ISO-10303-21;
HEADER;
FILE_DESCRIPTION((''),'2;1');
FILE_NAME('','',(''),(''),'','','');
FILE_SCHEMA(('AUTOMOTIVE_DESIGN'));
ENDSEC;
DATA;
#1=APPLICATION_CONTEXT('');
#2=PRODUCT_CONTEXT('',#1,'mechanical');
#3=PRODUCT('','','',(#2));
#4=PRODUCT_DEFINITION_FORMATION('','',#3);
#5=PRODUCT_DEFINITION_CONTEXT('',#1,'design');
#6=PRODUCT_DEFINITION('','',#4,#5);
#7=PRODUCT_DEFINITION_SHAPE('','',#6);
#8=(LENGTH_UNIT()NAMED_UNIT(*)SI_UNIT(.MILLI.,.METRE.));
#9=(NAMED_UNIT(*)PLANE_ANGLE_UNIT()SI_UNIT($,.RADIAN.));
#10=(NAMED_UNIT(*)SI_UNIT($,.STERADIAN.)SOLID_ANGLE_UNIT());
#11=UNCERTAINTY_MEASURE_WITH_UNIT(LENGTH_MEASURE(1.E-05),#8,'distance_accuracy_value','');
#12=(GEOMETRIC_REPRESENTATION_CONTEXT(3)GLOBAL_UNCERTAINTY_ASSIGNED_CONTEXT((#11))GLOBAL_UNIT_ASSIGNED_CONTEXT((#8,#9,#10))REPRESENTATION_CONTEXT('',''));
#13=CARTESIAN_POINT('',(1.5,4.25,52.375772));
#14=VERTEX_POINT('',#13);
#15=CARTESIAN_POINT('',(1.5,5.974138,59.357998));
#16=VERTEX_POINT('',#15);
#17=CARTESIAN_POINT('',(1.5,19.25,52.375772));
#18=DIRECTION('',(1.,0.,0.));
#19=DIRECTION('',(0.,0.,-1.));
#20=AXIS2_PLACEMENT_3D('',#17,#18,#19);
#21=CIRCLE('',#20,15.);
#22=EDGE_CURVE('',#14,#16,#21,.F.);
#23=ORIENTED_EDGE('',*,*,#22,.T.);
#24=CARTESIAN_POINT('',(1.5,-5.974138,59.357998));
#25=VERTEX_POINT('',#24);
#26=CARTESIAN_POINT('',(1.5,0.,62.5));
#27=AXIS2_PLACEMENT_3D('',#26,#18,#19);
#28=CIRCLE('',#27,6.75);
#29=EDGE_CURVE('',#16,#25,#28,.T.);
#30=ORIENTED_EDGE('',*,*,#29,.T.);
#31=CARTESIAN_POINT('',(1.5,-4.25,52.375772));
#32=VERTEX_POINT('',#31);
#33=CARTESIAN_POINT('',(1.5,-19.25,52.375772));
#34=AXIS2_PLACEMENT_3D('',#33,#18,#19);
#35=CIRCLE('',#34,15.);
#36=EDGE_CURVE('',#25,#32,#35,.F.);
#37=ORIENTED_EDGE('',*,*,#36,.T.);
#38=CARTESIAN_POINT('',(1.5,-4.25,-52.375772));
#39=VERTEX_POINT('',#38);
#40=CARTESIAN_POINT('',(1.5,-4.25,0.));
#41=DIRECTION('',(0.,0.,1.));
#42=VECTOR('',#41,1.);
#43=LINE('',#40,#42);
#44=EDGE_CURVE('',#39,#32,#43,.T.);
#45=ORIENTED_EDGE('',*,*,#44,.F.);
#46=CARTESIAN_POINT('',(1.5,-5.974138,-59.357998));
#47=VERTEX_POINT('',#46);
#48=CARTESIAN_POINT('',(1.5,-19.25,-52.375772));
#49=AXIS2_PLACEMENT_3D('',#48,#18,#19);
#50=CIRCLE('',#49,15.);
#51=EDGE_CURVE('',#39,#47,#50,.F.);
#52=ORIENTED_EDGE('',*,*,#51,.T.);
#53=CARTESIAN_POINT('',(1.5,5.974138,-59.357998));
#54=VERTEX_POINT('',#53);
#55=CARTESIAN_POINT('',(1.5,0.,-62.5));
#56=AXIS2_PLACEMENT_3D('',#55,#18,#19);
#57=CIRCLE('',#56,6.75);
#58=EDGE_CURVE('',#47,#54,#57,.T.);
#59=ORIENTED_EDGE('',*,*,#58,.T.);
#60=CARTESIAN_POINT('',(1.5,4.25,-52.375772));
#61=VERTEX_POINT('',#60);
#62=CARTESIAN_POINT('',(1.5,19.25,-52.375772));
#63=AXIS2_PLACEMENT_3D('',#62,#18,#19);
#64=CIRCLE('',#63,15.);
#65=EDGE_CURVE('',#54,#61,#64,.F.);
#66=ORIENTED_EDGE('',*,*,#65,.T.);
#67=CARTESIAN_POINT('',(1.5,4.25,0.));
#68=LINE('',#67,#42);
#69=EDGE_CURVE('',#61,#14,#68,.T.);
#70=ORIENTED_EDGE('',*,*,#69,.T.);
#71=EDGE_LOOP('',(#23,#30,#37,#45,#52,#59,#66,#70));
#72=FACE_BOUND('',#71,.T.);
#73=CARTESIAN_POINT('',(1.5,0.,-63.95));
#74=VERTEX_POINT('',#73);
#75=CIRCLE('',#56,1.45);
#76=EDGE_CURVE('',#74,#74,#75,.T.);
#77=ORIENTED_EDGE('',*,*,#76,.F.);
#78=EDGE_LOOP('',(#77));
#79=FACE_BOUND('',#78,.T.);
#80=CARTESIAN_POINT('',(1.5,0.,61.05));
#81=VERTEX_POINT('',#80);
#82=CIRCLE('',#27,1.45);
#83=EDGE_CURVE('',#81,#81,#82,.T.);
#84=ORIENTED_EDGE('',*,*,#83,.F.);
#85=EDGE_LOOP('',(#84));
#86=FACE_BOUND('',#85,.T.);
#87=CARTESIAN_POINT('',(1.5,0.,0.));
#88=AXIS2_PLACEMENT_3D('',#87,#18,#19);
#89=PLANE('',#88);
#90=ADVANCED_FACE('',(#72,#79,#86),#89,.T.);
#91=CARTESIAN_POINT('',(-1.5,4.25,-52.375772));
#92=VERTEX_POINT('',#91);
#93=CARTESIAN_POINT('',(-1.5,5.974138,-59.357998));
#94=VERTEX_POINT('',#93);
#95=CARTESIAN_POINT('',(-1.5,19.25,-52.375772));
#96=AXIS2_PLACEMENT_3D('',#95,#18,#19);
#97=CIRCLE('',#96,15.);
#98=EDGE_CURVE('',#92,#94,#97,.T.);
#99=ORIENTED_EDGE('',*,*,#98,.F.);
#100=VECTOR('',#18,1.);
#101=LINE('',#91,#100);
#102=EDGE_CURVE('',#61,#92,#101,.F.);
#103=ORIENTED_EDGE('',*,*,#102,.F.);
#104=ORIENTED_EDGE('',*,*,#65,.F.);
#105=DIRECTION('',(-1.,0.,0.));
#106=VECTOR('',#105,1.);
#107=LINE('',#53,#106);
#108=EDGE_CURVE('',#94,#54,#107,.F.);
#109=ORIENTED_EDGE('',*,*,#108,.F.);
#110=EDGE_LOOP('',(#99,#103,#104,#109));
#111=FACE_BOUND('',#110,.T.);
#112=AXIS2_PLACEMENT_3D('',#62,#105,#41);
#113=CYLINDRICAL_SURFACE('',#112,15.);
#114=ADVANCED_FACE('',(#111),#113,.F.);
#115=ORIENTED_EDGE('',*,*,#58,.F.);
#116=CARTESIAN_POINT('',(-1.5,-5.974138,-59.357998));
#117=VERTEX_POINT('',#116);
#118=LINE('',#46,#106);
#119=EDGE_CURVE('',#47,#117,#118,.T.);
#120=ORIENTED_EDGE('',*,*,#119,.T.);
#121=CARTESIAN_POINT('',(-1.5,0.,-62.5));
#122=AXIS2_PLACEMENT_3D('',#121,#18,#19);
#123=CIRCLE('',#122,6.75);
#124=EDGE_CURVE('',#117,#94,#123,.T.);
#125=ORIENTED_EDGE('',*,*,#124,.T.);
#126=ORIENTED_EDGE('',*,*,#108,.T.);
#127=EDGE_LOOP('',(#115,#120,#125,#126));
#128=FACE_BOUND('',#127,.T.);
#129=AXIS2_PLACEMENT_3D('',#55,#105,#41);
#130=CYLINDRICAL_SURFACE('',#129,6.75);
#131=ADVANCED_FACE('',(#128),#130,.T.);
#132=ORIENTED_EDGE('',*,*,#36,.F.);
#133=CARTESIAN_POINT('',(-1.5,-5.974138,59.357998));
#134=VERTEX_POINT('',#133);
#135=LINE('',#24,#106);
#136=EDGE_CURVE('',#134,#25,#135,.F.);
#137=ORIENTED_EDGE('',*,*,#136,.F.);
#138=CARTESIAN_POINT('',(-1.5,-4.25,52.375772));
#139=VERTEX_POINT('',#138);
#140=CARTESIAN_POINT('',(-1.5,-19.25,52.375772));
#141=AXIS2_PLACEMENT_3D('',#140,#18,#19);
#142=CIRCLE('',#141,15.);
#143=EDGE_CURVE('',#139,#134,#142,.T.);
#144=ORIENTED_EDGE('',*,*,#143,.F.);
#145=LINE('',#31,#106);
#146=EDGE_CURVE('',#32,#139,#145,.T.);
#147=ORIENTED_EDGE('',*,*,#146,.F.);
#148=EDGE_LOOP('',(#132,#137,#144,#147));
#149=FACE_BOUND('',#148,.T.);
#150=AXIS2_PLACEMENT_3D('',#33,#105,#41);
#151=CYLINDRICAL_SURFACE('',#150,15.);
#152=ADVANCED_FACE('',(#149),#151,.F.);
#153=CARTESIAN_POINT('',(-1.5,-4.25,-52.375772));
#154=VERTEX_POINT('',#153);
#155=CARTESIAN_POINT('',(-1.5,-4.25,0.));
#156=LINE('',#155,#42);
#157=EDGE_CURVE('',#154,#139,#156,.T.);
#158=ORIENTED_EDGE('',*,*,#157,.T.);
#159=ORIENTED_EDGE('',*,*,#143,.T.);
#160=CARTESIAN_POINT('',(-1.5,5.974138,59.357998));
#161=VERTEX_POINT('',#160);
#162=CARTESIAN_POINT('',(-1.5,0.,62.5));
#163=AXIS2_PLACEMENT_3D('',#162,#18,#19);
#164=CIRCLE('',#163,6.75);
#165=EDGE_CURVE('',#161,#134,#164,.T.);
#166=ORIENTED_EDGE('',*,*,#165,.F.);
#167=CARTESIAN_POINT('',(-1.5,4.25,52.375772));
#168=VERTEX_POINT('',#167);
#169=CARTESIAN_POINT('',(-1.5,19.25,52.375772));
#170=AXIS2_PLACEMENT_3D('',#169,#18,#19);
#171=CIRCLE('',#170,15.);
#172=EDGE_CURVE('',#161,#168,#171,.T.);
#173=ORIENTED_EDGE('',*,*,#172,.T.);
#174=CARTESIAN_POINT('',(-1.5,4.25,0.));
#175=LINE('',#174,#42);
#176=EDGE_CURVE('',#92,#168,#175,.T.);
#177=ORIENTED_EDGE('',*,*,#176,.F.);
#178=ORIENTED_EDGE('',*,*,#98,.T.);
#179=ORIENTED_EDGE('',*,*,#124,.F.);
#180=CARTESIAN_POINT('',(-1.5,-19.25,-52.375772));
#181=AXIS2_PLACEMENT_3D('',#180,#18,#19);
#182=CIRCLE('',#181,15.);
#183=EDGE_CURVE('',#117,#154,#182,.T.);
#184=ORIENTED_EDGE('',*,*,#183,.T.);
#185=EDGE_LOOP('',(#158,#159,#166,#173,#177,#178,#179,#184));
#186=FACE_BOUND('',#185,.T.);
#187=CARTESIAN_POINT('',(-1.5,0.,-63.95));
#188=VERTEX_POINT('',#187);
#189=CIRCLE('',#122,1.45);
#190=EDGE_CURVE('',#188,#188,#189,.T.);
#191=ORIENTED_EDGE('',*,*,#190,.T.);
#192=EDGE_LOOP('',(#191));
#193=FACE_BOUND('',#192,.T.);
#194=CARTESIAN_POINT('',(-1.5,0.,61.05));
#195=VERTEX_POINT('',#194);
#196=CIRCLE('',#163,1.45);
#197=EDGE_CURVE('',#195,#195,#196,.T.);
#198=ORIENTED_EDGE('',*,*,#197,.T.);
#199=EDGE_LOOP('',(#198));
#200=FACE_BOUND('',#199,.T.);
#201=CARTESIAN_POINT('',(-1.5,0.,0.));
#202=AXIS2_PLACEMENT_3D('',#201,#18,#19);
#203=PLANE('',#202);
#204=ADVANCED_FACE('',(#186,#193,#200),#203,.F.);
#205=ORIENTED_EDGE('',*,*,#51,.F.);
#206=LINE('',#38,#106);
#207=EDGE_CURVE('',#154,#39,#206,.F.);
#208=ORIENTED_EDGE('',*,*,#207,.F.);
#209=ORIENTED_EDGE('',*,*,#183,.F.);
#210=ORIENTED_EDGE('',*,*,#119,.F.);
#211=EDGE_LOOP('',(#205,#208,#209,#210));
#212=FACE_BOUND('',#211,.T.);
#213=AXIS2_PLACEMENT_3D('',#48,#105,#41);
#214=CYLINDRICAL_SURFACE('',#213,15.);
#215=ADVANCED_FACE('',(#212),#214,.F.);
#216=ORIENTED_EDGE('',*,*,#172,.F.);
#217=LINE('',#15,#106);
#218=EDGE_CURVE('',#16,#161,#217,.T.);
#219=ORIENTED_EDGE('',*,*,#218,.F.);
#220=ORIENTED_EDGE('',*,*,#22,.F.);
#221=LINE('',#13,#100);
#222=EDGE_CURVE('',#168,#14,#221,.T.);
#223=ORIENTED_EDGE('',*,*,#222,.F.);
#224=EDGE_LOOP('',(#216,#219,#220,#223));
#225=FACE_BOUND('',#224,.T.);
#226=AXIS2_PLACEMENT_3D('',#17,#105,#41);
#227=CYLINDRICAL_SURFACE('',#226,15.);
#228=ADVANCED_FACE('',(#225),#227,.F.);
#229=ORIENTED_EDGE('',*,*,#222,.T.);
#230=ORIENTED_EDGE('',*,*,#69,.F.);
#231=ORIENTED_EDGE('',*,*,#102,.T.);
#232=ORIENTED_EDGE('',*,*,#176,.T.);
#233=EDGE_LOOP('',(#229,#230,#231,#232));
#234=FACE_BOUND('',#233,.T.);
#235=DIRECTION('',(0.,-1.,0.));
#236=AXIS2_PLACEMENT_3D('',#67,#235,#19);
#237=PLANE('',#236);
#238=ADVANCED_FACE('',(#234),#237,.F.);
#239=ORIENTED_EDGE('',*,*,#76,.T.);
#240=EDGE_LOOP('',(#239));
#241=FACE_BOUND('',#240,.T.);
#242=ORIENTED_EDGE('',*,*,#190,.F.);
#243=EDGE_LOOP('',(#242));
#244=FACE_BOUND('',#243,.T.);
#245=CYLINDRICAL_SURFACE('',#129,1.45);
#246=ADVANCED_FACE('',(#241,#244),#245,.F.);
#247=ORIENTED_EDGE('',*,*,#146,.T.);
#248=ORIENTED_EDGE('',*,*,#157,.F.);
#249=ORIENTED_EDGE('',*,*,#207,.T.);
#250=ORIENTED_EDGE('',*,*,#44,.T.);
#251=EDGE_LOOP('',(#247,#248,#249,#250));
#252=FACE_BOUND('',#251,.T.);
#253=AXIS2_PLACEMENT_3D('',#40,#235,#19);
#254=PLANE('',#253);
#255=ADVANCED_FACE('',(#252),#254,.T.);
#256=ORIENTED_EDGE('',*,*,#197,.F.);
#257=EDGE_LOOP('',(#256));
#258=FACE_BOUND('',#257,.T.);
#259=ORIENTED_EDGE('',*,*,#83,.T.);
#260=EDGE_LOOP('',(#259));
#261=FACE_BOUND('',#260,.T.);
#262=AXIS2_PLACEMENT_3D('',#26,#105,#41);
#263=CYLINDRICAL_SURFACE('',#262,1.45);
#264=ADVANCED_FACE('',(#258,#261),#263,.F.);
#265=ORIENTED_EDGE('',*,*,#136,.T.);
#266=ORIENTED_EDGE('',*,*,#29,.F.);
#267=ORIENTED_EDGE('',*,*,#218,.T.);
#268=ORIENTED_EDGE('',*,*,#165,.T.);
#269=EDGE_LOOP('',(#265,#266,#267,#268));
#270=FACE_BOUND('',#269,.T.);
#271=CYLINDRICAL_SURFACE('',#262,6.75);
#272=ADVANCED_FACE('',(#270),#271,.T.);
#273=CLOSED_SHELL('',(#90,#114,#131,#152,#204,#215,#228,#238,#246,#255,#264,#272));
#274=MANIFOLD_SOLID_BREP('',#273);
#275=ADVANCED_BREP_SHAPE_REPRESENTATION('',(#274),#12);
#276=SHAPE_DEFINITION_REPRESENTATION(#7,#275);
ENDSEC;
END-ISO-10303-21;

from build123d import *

# Parameters (mm, degrees)
SKETCH1_R           = 6.75
SKETCH1_R_2         = 1.45
BOSS_EXTRUDE1_DEPTH = 1.5
FILLET1_R           = 15


with BuildPart() as part:
    # Sketch1 → Boss-Extrude1 (new body, symmetric)
    with BuildSketch(Plane(origin=(0, 0, 0), x_dir=(0, 0, -1), z_dir=(1, 0, 0))):
        with Locations((-62.5, 0)):
            Circle(SKETCH1_R)
        with Locations((-62.5, 0)):
            Circle(SKETCH1_R_2, mode=Mode.SUBTRACT)
        with BuildLine():
            Line((-57.255955759, -4.25), (57.255955759, -4.25))
            ThreePointArc((57.255955759, -4.25), (55.75, 0), (57.255955759, 4.25))
            Line((57.255955759, 4.25), (-57.255955759, 4.25))
            ThreePointArc((-57.255955759, 4.25), (-56.137618424, 2.254462394), (-55.75, 0))
            ThreePointArc((-55.75, 0), (-56.137618424, -2.254462394), (-57.255955759, -4.25))
        make_face()
        with Locations((62.5, 0)):
            Circle(SKETCH1_R)
        with Locations((62.5, 0)):
            Circle(SKETCH1_R_2, mode=Mode.SUBTRACT)
    extrude(amount=BOSS_EXTRUDE1_DEPTH, both=True)

    # Fillet1
    fillet1_edges = [part.edges().sort_by_distance(p)[0] for p in [
        (0, 4.25, -57.255955759),
        (0, -4.25, -57.255955759),
        (0, -4.25, 57.255955759),
        (0, 4.25, 57.255955759),
    ]]
    fillet(fillet1_edges, radius=FILLET1_R)


solid = part.part
